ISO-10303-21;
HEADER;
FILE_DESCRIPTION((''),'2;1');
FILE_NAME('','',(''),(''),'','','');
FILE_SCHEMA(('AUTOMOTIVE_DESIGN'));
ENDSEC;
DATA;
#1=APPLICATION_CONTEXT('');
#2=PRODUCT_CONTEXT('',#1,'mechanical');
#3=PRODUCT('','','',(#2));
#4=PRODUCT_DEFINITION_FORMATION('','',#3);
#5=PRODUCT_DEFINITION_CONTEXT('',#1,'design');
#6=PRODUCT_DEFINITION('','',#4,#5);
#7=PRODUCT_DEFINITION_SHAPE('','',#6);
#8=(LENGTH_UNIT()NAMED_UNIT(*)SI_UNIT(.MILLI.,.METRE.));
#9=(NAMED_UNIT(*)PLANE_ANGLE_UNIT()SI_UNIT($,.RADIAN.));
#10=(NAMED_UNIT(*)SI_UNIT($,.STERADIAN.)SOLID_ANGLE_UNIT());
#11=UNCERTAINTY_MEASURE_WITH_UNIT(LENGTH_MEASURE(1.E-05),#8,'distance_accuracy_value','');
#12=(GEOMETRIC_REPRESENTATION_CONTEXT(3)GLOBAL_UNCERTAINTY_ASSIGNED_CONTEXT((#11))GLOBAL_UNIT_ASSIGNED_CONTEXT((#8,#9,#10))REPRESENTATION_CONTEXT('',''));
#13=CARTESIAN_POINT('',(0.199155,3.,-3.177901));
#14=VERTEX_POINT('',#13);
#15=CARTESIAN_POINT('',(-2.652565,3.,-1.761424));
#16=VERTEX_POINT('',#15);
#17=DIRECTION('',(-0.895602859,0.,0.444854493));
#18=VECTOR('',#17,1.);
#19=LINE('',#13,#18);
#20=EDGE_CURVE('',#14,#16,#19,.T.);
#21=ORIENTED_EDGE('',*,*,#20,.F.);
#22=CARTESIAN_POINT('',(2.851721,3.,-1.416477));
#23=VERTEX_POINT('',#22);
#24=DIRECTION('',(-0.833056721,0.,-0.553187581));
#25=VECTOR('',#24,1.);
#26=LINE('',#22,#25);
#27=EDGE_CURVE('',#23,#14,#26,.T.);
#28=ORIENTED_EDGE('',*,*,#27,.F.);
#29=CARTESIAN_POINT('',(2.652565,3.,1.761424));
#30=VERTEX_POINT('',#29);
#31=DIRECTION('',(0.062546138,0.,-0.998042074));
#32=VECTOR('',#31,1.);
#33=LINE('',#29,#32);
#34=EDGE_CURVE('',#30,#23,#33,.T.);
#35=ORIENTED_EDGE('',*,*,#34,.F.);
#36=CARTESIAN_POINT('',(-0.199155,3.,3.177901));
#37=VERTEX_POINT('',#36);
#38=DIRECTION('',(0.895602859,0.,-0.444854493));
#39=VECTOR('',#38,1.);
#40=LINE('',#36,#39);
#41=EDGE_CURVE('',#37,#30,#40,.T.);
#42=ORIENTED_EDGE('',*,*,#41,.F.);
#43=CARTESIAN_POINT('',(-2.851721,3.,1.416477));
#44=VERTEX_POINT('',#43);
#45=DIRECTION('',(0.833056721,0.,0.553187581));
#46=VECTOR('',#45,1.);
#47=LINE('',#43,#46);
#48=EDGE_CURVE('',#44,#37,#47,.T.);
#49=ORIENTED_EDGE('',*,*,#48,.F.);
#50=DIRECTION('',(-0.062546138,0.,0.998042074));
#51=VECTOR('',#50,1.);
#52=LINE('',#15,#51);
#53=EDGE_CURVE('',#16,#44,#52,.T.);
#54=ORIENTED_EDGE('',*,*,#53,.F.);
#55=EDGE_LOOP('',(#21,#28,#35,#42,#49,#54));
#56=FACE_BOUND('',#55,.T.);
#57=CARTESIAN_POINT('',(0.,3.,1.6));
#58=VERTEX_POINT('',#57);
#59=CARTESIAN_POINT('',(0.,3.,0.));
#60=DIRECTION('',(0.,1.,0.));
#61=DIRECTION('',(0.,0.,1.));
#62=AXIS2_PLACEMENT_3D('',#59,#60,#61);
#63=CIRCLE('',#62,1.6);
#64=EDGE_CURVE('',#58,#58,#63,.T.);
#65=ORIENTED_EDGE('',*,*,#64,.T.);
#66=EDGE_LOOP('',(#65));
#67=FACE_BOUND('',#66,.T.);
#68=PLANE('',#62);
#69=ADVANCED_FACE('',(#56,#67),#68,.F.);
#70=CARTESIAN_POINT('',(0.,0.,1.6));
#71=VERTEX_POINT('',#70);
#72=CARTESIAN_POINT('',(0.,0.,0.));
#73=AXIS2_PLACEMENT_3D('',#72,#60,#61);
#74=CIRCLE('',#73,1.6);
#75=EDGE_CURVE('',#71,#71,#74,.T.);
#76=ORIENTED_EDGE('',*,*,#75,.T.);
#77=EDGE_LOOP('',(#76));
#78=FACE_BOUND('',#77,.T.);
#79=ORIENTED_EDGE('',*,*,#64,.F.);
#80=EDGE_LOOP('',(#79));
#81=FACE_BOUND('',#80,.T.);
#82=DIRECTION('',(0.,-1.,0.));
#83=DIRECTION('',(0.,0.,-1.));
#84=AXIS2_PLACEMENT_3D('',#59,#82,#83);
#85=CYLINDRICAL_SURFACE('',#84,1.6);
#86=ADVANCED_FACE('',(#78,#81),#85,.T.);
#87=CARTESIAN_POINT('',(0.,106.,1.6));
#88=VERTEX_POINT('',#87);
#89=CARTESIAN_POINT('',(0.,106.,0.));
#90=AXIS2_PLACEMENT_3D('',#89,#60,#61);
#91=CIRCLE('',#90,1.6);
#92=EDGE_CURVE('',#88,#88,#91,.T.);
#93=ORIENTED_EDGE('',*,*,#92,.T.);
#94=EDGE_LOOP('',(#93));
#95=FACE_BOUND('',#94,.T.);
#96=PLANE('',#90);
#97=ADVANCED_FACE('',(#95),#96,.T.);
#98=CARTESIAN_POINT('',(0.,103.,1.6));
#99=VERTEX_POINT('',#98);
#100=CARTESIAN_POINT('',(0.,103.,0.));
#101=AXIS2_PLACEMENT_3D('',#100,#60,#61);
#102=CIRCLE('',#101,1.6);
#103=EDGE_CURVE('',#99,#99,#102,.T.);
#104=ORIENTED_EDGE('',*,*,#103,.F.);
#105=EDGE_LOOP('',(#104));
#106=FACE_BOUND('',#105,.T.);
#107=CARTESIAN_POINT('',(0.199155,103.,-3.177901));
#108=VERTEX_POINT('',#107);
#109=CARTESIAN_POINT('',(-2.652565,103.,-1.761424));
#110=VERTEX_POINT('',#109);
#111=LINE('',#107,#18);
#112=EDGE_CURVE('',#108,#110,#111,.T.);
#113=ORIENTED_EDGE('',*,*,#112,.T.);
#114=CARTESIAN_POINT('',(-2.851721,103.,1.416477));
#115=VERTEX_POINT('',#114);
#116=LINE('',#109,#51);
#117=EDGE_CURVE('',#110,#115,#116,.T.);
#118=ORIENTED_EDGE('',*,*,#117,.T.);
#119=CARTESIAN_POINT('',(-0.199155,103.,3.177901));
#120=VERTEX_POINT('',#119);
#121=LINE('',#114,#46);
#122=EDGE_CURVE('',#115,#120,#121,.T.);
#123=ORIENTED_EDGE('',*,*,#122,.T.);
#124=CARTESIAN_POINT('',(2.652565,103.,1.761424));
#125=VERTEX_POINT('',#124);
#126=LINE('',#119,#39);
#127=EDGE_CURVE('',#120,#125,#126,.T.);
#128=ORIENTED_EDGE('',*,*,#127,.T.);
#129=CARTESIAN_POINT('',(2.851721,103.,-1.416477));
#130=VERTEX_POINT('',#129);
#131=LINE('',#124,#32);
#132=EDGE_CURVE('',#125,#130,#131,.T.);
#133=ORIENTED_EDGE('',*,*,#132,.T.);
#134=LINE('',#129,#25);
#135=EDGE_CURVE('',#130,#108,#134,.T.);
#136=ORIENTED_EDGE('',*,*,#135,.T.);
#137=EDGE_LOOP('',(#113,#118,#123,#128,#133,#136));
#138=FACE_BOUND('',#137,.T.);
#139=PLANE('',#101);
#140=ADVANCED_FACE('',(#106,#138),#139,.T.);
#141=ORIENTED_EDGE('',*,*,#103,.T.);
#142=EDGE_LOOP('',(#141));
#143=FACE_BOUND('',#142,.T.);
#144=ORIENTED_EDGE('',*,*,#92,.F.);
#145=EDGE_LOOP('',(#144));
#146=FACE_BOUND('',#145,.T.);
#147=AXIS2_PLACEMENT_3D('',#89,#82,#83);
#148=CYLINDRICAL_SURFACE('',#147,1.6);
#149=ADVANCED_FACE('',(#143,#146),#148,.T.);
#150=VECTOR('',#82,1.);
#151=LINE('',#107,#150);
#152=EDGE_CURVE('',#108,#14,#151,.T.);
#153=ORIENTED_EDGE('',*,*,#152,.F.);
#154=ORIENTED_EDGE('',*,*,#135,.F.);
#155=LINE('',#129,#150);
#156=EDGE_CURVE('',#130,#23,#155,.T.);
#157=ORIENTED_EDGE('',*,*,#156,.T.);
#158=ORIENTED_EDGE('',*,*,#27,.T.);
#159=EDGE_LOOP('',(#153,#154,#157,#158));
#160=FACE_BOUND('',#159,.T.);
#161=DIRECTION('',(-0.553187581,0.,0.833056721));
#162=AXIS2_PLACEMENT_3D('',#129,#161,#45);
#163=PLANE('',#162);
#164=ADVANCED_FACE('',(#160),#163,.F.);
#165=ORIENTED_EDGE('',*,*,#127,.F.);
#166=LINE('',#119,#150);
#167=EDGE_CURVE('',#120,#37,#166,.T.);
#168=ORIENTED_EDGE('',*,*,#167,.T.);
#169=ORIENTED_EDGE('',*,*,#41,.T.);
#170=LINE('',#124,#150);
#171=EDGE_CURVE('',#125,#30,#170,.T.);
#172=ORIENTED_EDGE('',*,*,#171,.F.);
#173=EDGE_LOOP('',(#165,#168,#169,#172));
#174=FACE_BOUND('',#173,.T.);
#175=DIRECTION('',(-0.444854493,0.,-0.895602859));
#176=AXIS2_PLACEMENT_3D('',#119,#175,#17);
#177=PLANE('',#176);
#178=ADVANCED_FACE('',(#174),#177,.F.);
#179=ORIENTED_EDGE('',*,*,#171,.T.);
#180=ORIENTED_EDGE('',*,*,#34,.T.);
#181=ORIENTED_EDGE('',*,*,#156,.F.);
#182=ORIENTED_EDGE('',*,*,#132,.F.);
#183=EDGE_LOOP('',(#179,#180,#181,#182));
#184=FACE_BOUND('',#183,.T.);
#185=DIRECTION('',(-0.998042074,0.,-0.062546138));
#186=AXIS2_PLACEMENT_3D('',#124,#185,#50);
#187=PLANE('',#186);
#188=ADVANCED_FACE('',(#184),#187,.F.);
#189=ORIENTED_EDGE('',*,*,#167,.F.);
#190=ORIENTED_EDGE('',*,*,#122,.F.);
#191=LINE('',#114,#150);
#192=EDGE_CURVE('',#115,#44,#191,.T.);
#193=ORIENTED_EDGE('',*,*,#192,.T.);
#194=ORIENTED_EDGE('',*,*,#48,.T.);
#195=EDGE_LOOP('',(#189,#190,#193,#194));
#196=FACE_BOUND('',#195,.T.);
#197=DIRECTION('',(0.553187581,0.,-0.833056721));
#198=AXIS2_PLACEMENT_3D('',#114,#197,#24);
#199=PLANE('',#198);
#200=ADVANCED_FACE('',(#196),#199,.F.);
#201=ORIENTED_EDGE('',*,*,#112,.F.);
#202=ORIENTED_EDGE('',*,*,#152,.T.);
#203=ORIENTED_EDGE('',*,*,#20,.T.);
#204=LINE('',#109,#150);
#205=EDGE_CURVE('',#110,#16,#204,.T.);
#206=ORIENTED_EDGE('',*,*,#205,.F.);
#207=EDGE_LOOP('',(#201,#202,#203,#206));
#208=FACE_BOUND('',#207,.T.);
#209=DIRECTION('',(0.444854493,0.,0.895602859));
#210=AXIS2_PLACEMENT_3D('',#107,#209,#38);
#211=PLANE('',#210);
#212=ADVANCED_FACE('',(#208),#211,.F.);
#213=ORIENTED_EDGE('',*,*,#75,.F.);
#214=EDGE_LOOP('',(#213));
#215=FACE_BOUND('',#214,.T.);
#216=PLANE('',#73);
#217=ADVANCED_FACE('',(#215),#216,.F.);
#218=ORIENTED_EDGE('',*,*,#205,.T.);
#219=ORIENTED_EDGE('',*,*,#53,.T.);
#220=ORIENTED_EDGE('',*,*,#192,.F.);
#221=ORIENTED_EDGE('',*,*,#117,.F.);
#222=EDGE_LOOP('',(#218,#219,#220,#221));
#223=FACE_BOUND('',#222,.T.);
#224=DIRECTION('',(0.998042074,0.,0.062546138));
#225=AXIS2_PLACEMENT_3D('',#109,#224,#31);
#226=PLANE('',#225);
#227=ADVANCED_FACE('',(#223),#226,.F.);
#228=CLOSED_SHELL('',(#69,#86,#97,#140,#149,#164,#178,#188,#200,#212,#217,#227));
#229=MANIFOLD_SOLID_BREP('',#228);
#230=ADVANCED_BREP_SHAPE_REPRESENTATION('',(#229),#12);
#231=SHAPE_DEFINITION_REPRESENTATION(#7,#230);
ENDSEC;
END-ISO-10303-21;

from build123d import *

# Parameters (mm, degrees)
SKETCH_1_R      = 1.6
EXTRUDE_1_DEPTH = 3
EXTRUDE_2_DEPTH = 100
SKETCH_3_R      = 1.6
EXTRUDE_3_DEPTH = 3


with BuildPart() as part:
    # 草图1 → 凸台-拉伸1 (new body)
    with BuildSketch(Plane(origin=(0, 0, 0), x_dir=(1, 0, 0), z_dir=(0, 1, 0))):
        with Locations(Location((0, 0, 0), (0, 0, 270))):
            Circle(SKETCH_1_R)
    extrude(amount=EXTRUDE_1_DEPTH)

    # 草图2 → 凸台-拉伸2 (add)
    with BuildSketch(Plane(origin=(0, 3, 0), x_dir=(1, 0, 0), z_dir=(0, 1, 0))):
        Polygon((2.652565483, -1.761424217), (2.85172086, 1.416476985), (0.199155377, 3.177901202), (-2.652565483, 1.761424217), (-2.85172086, -1.416476985), (-0.199155377, -3.177901202), align=None)
    extrude(amount=EXTRUDE_2_DEPTH)

    # 草图3 → 凸台-拉伸3 (add)
    with BuildSketch(Plane(origin=(0, 103, 0), x_dir=(1, 0, 0), z_dir=(0, 1, 0))):
        with Locations(Location((0, 0, 0), (0, 0, 270))):
            Circle(SKETCH_3_R)
    extrude(amount=EXTRUDE_3_DEPTH)


solid = part.part
